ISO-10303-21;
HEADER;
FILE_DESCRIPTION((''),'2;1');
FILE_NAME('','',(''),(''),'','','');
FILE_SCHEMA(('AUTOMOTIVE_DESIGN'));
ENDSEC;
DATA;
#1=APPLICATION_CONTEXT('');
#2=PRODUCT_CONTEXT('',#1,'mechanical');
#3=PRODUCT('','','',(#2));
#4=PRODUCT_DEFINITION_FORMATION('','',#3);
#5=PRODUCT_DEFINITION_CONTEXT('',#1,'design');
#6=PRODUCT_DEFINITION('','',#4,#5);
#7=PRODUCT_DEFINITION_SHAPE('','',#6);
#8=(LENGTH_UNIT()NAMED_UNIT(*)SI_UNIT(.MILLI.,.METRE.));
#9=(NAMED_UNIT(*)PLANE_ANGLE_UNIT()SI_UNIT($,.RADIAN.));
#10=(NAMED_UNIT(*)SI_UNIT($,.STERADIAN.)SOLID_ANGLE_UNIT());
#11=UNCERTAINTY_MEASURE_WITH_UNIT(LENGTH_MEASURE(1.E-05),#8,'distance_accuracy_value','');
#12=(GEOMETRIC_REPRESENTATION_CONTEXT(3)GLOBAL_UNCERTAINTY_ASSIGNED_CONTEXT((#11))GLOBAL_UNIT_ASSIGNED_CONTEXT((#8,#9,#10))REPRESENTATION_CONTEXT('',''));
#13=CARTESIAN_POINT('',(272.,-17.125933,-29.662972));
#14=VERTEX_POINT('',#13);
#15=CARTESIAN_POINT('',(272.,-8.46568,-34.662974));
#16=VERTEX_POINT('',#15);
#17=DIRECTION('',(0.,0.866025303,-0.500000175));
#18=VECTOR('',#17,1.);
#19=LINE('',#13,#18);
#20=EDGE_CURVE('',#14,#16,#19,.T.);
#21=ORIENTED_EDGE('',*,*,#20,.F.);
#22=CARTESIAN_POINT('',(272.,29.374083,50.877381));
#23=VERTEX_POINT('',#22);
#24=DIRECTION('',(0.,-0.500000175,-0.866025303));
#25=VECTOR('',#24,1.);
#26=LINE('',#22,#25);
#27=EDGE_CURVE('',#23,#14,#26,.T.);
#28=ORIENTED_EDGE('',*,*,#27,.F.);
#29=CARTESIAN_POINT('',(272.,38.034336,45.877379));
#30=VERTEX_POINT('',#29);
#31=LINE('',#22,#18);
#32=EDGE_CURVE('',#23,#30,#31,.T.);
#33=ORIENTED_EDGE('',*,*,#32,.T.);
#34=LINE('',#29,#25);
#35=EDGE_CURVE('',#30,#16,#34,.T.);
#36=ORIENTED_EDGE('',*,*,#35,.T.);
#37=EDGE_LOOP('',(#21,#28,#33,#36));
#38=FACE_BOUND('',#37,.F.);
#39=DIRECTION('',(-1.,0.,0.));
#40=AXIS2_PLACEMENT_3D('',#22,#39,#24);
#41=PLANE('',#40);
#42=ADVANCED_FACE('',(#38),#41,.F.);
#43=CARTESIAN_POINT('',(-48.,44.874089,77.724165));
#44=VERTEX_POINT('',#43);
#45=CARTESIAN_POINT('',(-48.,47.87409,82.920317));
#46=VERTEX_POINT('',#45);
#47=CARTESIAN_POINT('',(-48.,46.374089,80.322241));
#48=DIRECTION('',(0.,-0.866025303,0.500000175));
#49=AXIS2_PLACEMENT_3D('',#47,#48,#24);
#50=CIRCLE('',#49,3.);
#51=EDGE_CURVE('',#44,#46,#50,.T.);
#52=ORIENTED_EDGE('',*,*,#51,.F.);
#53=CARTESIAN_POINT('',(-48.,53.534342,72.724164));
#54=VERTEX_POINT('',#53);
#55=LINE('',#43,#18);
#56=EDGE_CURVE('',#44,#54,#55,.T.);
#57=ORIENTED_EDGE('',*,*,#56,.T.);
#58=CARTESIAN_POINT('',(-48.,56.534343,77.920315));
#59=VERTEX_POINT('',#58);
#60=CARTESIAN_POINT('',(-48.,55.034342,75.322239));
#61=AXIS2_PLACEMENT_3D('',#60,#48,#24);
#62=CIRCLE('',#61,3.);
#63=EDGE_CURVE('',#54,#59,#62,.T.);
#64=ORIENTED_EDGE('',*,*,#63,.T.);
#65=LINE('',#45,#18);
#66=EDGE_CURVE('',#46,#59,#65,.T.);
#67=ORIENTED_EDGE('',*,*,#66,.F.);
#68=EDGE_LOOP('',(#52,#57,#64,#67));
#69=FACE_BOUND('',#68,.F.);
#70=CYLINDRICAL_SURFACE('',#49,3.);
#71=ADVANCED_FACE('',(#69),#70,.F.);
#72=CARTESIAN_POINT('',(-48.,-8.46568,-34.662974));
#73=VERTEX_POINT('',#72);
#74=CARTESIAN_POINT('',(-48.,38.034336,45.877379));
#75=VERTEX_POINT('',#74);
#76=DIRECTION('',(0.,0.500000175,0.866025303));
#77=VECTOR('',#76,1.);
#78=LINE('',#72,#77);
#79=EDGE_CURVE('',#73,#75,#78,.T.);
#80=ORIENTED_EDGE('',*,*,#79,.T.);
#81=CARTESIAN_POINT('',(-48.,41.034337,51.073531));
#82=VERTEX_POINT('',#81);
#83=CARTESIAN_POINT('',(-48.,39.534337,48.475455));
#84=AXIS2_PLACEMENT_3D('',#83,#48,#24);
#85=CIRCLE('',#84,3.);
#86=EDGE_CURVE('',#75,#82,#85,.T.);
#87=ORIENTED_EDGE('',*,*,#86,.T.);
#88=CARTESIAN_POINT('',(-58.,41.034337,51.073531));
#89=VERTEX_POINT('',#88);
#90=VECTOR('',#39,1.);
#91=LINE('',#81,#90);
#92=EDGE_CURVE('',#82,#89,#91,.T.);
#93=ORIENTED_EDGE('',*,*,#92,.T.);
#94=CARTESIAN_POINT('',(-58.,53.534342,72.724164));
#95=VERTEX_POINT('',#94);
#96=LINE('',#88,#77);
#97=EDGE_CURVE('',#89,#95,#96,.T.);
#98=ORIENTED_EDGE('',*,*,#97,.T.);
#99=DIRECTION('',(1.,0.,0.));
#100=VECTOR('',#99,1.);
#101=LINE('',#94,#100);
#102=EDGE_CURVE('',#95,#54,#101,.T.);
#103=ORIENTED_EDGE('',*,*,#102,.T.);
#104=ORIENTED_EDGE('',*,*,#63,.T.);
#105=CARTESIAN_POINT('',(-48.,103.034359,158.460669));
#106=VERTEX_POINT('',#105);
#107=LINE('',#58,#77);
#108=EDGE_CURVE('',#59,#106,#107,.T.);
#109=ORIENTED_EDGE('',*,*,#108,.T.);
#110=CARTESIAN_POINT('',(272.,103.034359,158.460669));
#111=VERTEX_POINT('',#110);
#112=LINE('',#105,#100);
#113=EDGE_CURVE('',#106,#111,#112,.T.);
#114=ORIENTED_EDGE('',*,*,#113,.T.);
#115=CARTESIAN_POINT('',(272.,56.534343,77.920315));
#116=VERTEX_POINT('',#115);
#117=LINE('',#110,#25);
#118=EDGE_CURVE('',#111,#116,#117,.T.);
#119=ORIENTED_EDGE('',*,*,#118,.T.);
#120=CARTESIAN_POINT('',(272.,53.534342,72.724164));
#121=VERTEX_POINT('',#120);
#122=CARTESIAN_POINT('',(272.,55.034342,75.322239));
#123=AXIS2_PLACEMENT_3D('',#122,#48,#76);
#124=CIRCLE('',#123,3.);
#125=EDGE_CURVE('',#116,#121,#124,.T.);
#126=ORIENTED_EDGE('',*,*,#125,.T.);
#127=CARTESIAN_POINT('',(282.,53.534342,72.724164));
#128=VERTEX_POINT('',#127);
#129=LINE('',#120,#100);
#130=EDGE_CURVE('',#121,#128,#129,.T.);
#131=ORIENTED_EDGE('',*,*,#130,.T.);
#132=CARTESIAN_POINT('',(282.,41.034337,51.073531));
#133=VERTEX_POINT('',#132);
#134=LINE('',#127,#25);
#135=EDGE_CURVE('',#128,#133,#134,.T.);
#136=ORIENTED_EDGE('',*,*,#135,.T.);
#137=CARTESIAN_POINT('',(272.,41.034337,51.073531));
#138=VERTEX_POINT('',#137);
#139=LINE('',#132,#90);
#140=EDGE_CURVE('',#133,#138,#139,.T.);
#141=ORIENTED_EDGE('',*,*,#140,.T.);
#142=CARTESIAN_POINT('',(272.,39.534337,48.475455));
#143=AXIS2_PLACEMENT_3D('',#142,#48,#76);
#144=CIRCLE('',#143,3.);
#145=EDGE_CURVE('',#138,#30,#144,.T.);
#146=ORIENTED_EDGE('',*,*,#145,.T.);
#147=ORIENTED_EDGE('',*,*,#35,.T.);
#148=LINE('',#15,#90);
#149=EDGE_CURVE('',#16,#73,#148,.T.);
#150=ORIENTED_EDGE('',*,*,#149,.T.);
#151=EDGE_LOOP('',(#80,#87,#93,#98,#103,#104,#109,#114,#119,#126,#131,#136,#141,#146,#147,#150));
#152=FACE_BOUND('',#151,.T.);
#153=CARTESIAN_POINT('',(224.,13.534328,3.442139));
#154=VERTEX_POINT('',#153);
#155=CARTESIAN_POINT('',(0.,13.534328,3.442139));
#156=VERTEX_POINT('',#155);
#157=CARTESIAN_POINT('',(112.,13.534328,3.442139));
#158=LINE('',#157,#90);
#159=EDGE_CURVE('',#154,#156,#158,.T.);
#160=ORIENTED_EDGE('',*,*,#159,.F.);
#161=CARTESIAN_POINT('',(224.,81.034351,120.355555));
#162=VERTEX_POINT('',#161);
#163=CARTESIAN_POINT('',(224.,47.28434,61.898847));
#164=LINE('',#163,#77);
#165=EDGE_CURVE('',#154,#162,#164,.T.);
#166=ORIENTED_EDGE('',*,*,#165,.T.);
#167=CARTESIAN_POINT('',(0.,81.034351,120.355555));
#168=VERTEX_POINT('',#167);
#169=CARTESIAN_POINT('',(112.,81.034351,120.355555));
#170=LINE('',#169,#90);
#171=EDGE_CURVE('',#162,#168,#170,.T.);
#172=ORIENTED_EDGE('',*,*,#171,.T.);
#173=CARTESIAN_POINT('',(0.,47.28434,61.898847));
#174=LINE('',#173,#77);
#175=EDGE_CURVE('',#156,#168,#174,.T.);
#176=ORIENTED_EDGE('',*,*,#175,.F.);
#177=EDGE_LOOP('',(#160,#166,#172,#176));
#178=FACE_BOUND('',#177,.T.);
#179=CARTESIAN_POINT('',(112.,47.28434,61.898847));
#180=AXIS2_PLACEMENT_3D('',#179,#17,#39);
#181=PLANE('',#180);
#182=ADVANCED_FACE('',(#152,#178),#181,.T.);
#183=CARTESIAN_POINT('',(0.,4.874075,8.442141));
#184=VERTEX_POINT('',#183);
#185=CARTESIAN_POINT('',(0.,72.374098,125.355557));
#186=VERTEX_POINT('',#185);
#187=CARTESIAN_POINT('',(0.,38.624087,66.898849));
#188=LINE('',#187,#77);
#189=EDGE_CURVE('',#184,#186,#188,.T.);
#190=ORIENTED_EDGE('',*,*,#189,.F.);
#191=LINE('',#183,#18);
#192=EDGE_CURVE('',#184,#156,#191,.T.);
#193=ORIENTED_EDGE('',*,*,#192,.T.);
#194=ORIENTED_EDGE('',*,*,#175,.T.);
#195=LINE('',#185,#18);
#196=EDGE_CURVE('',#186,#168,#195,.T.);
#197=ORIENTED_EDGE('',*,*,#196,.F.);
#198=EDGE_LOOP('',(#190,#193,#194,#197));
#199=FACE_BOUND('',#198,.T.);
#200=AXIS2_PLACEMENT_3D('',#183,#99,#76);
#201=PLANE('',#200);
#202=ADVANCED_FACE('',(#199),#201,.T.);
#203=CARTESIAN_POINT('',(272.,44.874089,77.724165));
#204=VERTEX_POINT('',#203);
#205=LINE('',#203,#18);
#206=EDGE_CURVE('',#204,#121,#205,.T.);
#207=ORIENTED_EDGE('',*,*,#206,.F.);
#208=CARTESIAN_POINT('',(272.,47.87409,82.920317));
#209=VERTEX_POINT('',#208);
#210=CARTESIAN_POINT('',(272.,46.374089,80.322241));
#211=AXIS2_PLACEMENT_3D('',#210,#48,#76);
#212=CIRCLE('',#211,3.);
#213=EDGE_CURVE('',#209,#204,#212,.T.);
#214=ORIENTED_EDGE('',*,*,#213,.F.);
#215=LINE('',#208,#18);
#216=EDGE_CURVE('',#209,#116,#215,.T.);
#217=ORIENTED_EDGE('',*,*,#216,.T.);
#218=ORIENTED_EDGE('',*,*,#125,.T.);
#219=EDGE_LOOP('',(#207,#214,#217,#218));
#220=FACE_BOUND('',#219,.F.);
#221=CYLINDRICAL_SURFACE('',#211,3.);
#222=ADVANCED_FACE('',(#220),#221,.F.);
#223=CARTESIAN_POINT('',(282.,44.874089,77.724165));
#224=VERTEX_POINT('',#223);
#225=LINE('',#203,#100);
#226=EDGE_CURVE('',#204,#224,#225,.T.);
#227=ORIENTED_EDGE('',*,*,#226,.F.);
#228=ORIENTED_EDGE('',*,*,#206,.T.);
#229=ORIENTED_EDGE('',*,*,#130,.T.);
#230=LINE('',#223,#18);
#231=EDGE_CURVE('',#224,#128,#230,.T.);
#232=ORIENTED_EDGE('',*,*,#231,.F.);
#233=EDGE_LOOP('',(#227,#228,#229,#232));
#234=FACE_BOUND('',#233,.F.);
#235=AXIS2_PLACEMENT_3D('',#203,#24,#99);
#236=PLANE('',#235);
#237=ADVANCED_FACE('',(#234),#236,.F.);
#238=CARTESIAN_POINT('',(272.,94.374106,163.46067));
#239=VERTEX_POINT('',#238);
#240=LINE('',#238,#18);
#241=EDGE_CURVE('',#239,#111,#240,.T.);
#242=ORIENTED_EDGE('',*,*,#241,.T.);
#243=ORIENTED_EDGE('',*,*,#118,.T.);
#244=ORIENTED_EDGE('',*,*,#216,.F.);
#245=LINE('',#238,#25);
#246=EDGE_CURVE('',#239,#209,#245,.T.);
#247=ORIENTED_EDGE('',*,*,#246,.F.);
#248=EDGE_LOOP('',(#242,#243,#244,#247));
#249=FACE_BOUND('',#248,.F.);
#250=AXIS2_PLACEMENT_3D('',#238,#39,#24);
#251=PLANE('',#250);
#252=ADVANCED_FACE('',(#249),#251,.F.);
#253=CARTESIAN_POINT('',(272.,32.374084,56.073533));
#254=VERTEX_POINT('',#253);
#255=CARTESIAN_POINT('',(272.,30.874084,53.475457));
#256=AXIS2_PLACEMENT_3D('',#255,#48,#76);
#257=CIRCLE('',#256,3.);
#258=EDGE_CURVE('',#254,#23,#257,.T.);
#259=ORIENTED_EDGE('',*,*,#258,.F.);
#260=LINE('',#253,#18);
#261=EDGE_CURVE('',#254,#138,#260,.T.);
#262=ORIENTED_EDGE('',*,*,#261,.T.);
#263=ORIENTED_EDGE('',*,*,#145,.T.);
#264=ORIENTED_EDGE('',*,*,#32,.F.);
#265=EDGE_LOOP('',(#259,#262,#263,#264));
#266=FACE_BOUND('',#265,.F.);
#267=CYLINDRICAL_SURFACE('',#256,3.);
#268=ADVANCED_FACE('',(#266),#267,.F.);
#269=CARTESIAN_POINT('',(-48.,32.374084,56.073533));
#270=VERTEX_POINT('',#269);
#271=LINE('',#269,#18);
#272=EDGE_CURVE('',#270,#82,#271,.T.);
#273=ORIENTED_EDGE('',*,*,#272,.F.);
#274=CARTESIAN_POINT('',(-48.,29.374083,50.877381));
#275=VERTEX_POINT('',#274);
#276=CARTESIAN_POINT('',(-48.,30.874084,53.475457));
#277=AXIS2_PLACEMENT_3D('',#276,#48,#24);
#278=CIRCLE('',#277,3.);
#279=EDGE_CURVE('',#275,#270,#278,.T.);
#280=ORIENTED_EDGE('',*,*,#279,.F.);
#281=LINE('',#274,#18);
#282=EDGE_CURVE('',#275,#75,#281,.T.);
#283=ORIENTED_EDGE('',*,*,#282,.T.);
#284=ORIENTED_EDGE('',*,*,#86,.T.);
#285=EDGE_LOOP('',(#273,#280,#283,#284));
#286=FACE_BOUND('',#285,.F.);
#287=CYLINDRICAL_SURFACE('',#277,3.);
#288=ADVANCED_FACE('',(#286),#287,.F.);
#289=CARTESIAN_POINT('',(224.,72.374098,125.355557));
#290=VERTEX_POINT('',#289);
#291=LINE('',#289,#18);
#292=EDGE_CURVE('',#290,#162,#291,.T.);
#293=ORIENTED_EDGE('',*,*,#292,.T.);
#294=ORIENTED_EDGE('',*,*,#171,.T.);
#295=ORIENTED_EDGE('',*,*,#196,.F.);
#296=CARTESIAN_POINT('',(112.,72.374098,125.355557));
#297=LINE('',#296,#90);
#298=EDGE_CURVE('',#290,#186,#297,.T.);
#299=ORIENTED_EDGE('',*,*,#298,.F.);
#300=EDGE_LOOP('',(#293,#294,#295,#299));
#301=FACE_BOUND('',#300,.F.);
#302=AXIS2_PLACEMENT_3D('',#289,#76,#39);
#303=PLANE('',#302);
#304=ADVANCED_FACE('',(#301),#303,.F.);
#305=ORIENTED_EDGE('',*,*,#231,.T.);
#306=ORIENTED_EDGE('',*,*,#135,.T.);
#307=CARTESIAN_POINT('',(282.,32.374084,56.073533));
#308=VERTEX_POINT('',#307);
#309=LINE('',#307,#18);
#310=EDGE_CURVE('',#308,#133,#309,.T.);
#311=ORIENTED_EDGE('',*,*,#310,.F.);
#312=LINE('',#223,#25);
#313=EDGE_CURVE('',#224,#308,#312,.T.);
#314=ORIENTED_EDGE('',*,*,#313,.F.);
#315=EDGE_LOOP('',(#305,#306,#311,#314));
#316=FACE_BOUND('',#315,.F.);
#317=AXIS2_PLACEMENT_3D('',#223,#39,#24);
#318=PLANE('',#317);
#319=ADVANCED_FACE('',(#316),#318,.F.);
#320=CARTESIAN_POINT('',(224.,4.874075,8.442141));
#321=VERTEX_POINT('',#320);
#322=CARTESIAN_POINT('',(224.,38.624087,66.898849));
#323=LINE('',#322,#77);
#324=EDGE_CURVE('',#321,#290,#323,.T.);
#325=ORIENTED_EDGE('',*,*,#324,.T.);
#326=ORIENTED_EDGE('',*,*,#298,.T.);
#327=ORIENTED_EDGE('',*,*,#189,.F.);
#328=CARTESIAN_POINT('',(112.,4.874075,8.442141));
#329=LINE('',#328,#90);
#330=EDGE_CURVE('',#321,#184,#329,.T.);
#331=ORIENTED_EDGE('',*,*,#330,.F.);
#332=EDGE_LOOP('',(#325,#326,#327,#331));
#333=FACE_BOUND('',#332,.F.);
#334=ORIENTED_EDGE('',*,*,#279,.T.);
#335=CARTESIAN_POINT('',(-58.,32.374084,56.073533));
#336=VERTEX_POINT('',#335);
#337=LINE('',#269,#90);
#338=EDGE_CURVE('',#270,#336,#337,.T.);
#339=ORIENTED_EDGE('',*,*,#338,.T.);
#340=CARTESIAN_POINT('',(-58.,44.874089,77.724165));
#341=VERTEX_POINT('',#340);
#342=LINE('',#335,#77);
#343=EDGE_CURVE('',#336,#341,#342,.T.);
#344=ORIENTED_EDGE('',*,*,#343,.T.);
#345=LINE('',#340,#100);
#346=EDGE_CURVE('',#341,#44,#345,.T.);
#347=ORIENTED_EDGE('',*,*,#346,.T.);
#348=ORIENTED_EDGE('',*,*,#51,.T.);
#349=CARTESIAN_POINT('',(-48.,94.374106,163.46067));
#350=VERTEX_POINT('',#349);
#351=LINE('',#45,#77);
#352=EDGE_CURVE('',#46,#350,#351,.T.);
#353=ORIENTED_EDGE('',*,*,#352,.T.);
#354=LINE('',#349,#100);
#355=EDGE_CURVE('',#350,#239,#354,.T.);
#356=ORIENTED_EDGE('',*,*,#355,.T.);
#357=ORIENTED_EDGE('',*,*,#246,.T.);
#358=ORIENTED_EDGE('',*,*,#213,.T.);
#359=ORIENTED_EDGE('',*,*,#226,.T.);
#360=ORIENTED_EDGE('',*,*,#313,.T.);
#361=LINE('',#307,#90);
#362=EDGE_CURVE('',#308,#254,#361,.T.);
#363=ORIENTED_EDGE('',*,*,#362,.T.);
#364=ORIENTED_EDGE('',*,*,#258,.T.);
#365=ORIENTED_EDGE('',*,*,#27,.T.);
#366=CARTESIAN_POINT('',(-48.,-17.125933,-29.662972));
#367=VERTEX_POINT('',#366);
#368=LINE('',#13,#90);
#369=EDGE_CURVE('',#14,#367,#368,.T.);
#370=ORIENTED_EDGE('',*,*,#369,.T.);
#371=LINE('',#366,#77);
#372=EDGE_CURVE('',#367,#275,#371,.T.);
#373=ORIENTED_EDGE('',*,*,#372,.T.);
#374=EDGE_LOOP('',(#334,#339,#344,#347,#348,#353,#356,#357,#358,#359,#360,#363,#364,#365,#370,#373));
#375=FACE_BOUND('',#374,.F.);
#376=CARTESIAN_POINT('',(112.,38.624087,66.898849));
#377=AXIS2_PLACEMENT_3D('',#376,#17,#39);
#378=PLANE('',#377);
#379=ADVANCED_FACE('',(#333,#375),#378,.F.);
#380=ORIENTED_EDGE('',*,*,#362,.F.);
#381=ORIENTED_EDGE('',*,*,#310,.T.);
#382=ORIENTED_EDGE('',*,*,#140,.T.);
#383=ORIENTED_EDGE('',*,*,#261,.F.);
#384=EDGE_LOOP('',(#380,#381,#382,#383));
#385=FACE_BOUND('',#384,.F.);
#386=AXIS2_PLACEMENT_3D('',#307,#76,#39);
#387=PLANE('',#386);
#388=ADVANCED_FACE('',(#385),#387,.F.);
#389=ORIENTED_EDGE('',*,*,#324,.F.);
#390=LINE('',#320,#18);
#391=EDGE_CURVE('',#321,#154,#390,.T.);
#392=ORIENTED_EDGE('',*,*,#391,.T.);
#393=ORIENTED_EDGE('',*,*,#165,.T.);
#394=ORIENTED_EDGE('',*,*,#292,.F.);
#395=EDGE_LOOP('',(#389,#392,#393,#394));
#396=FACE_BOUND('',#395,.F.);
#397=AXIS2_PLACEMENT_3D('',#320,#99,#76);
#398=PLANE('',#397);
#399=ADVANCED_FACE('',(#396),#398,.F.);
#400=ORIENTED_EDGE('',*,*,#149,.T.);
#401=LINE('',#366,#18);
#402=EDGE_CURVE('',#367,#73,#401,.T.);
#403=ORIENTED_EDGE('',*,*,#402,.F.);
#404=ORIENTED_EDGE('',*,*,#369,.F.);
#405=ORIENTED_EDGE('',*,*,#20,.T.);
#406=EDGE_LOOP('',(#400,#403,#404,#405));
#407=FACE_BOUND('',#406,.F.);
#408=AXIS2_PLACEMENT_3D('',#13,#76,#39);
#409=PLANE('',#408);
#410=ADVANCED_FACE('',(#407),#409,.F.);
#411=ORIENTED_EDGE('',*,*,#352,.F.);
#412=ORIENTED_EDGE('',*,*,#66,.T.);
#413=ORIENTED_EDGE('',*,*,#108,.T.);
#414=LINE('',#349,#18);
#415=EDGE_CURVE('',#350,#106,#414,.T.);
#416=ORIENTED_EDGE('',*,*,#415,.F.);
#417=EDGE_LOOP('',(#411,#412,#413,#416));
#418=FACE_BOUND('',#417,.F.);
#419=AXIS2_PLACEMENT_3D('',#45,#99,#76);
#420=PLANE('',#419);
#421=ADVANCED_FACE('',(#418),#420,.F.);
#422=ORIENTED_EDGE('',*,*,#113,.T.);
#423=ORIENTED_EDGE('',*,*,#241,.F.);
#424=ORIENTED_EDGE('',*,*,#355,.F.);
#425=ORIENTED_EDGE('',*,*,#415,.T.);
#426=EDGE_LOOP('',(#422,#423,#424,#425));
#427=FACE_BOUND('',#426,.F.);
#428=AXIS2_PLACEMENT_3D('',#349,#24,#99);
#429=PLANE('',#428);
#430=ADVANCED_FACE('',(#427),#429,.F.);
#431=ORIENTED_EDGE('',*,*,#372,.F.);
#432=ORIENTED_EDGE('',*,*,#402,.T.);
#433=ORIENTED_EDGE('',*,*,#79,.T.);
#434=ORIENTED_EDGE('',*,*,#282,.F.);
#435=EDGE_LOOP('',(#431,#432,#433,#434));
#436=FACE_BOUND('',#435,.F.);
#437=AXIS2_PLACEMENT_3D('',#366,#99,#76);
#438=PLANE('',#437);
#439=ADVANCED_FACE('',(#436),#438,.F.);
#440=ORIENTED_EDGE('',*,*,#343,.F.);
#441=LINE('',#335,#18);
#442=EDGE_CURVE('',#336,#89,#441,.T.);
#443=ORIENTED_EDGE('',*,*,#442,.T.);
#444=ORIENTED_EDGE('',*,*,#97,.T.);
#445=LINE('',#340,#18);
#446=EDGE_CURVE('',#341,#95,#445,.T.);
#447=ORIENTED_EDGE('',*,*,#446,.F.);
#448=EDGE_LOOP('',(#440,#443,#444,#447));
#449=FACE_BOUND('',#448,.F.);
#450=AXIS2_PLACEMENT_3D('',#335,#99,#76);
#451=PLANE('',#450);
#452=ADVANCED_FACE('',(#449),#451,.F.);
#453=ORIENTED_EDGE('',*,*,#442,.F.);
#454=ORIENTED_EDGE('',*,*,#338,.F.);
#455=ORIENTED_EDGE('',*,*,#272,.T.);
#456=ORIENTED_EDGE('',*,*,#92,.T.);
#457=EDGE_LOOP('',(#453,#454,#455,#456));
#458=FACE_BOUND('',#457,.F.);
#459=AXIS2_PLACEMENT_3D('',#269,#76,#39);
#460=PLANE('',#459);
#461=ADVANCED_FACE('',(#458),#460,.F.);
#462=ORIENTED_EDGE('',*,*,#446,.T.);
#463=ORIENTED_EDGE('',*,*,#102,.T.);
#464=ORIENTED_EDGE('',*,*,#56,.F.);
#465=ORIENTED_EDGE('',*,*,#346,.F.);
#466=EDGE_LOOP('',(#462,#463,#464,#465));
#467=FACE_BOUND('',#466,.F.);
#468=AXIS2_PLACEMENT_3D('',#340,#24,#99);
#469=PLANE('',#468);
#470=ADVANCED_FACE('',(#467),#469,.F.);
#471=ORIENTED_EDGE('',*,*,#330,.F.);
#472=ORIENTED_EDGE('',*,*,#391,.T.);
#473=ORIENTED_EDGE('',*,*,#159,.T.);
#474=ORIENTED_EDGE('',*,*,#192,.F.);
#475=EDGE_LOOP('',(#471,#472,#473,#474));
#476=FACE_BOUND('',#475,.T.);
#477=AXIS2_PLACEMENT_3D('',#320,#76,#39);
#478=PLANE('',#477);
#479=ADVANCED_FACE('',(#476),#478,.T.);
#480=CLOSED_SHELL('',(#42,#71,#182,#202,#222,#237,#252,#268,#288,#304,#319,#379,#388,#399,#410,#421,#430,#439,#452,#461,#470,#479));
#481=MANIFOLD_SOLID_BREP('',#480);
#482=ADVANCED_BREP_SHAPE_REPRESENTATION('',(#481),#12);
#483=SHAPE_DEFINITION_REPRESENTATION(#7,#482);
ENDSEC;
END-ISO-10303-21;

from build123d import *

# Parameters (mm, degrees)
F2_W     = 224
F2_H     = 135
F3_DEPTH = 10


with BuildPart() as f3:
    # F2 (on face) → F3 (new body)
    with BuildSketch(Plane(origin=(0, 0, 0), x_dir=(-1, 0, 0), z_dir=(0, 0.866025, -0.5))):
        with BuildLine():
            Line((-112, 188.748146), (-272, 188.748146))
            Line((-272, 188.748146), (-272, 95.748146))
            ThreePointArc((-272, 95.748146), (-269, 92.748146), (-272, 89.748146))
            Line((-272, 89.748146), (-282, 89.748146))
            Line((-282, 89.748146), (-282, 64.748146))
            Line((-282, 64.748146), (-272, 64.748146))
            ThreePointArc((-272, 64.748146), (-269, 61.748146), (-272, 58.748146))
            Line((-272, 58.748146), (-272, -34.251854))
            Line((-272, -34.251854), (-112, -34.251854))
            Line((-112, -34.251854), (48, -34.251854))
            Line((48, -34.251854), (48, 58.748146))
            ThreePointArc((48, 58.748146), (45, 61.748146), (48, 64.748146))
            Line((48, 64.748146), (58, 64.748146))
            Line((58, 64.748146), (58, 89.748146))
            Line((58, 89.748146), (48, 89.748146))
            ThreePointArc((48, 89.748146), (45, 92.748146), (48, 95.748146))
            Line((48, 95.748146), (48, 188.748146))
            Line((48, 188.748146), (-112, 188.748146))
        make_face()
        with Locations((-112, 77.248146)):
            Rectangle(F2_W, F2_H, mode=Mode.SUBTRACT)
    extrude(amount=F3_DEPTH)


solid = f3.part
